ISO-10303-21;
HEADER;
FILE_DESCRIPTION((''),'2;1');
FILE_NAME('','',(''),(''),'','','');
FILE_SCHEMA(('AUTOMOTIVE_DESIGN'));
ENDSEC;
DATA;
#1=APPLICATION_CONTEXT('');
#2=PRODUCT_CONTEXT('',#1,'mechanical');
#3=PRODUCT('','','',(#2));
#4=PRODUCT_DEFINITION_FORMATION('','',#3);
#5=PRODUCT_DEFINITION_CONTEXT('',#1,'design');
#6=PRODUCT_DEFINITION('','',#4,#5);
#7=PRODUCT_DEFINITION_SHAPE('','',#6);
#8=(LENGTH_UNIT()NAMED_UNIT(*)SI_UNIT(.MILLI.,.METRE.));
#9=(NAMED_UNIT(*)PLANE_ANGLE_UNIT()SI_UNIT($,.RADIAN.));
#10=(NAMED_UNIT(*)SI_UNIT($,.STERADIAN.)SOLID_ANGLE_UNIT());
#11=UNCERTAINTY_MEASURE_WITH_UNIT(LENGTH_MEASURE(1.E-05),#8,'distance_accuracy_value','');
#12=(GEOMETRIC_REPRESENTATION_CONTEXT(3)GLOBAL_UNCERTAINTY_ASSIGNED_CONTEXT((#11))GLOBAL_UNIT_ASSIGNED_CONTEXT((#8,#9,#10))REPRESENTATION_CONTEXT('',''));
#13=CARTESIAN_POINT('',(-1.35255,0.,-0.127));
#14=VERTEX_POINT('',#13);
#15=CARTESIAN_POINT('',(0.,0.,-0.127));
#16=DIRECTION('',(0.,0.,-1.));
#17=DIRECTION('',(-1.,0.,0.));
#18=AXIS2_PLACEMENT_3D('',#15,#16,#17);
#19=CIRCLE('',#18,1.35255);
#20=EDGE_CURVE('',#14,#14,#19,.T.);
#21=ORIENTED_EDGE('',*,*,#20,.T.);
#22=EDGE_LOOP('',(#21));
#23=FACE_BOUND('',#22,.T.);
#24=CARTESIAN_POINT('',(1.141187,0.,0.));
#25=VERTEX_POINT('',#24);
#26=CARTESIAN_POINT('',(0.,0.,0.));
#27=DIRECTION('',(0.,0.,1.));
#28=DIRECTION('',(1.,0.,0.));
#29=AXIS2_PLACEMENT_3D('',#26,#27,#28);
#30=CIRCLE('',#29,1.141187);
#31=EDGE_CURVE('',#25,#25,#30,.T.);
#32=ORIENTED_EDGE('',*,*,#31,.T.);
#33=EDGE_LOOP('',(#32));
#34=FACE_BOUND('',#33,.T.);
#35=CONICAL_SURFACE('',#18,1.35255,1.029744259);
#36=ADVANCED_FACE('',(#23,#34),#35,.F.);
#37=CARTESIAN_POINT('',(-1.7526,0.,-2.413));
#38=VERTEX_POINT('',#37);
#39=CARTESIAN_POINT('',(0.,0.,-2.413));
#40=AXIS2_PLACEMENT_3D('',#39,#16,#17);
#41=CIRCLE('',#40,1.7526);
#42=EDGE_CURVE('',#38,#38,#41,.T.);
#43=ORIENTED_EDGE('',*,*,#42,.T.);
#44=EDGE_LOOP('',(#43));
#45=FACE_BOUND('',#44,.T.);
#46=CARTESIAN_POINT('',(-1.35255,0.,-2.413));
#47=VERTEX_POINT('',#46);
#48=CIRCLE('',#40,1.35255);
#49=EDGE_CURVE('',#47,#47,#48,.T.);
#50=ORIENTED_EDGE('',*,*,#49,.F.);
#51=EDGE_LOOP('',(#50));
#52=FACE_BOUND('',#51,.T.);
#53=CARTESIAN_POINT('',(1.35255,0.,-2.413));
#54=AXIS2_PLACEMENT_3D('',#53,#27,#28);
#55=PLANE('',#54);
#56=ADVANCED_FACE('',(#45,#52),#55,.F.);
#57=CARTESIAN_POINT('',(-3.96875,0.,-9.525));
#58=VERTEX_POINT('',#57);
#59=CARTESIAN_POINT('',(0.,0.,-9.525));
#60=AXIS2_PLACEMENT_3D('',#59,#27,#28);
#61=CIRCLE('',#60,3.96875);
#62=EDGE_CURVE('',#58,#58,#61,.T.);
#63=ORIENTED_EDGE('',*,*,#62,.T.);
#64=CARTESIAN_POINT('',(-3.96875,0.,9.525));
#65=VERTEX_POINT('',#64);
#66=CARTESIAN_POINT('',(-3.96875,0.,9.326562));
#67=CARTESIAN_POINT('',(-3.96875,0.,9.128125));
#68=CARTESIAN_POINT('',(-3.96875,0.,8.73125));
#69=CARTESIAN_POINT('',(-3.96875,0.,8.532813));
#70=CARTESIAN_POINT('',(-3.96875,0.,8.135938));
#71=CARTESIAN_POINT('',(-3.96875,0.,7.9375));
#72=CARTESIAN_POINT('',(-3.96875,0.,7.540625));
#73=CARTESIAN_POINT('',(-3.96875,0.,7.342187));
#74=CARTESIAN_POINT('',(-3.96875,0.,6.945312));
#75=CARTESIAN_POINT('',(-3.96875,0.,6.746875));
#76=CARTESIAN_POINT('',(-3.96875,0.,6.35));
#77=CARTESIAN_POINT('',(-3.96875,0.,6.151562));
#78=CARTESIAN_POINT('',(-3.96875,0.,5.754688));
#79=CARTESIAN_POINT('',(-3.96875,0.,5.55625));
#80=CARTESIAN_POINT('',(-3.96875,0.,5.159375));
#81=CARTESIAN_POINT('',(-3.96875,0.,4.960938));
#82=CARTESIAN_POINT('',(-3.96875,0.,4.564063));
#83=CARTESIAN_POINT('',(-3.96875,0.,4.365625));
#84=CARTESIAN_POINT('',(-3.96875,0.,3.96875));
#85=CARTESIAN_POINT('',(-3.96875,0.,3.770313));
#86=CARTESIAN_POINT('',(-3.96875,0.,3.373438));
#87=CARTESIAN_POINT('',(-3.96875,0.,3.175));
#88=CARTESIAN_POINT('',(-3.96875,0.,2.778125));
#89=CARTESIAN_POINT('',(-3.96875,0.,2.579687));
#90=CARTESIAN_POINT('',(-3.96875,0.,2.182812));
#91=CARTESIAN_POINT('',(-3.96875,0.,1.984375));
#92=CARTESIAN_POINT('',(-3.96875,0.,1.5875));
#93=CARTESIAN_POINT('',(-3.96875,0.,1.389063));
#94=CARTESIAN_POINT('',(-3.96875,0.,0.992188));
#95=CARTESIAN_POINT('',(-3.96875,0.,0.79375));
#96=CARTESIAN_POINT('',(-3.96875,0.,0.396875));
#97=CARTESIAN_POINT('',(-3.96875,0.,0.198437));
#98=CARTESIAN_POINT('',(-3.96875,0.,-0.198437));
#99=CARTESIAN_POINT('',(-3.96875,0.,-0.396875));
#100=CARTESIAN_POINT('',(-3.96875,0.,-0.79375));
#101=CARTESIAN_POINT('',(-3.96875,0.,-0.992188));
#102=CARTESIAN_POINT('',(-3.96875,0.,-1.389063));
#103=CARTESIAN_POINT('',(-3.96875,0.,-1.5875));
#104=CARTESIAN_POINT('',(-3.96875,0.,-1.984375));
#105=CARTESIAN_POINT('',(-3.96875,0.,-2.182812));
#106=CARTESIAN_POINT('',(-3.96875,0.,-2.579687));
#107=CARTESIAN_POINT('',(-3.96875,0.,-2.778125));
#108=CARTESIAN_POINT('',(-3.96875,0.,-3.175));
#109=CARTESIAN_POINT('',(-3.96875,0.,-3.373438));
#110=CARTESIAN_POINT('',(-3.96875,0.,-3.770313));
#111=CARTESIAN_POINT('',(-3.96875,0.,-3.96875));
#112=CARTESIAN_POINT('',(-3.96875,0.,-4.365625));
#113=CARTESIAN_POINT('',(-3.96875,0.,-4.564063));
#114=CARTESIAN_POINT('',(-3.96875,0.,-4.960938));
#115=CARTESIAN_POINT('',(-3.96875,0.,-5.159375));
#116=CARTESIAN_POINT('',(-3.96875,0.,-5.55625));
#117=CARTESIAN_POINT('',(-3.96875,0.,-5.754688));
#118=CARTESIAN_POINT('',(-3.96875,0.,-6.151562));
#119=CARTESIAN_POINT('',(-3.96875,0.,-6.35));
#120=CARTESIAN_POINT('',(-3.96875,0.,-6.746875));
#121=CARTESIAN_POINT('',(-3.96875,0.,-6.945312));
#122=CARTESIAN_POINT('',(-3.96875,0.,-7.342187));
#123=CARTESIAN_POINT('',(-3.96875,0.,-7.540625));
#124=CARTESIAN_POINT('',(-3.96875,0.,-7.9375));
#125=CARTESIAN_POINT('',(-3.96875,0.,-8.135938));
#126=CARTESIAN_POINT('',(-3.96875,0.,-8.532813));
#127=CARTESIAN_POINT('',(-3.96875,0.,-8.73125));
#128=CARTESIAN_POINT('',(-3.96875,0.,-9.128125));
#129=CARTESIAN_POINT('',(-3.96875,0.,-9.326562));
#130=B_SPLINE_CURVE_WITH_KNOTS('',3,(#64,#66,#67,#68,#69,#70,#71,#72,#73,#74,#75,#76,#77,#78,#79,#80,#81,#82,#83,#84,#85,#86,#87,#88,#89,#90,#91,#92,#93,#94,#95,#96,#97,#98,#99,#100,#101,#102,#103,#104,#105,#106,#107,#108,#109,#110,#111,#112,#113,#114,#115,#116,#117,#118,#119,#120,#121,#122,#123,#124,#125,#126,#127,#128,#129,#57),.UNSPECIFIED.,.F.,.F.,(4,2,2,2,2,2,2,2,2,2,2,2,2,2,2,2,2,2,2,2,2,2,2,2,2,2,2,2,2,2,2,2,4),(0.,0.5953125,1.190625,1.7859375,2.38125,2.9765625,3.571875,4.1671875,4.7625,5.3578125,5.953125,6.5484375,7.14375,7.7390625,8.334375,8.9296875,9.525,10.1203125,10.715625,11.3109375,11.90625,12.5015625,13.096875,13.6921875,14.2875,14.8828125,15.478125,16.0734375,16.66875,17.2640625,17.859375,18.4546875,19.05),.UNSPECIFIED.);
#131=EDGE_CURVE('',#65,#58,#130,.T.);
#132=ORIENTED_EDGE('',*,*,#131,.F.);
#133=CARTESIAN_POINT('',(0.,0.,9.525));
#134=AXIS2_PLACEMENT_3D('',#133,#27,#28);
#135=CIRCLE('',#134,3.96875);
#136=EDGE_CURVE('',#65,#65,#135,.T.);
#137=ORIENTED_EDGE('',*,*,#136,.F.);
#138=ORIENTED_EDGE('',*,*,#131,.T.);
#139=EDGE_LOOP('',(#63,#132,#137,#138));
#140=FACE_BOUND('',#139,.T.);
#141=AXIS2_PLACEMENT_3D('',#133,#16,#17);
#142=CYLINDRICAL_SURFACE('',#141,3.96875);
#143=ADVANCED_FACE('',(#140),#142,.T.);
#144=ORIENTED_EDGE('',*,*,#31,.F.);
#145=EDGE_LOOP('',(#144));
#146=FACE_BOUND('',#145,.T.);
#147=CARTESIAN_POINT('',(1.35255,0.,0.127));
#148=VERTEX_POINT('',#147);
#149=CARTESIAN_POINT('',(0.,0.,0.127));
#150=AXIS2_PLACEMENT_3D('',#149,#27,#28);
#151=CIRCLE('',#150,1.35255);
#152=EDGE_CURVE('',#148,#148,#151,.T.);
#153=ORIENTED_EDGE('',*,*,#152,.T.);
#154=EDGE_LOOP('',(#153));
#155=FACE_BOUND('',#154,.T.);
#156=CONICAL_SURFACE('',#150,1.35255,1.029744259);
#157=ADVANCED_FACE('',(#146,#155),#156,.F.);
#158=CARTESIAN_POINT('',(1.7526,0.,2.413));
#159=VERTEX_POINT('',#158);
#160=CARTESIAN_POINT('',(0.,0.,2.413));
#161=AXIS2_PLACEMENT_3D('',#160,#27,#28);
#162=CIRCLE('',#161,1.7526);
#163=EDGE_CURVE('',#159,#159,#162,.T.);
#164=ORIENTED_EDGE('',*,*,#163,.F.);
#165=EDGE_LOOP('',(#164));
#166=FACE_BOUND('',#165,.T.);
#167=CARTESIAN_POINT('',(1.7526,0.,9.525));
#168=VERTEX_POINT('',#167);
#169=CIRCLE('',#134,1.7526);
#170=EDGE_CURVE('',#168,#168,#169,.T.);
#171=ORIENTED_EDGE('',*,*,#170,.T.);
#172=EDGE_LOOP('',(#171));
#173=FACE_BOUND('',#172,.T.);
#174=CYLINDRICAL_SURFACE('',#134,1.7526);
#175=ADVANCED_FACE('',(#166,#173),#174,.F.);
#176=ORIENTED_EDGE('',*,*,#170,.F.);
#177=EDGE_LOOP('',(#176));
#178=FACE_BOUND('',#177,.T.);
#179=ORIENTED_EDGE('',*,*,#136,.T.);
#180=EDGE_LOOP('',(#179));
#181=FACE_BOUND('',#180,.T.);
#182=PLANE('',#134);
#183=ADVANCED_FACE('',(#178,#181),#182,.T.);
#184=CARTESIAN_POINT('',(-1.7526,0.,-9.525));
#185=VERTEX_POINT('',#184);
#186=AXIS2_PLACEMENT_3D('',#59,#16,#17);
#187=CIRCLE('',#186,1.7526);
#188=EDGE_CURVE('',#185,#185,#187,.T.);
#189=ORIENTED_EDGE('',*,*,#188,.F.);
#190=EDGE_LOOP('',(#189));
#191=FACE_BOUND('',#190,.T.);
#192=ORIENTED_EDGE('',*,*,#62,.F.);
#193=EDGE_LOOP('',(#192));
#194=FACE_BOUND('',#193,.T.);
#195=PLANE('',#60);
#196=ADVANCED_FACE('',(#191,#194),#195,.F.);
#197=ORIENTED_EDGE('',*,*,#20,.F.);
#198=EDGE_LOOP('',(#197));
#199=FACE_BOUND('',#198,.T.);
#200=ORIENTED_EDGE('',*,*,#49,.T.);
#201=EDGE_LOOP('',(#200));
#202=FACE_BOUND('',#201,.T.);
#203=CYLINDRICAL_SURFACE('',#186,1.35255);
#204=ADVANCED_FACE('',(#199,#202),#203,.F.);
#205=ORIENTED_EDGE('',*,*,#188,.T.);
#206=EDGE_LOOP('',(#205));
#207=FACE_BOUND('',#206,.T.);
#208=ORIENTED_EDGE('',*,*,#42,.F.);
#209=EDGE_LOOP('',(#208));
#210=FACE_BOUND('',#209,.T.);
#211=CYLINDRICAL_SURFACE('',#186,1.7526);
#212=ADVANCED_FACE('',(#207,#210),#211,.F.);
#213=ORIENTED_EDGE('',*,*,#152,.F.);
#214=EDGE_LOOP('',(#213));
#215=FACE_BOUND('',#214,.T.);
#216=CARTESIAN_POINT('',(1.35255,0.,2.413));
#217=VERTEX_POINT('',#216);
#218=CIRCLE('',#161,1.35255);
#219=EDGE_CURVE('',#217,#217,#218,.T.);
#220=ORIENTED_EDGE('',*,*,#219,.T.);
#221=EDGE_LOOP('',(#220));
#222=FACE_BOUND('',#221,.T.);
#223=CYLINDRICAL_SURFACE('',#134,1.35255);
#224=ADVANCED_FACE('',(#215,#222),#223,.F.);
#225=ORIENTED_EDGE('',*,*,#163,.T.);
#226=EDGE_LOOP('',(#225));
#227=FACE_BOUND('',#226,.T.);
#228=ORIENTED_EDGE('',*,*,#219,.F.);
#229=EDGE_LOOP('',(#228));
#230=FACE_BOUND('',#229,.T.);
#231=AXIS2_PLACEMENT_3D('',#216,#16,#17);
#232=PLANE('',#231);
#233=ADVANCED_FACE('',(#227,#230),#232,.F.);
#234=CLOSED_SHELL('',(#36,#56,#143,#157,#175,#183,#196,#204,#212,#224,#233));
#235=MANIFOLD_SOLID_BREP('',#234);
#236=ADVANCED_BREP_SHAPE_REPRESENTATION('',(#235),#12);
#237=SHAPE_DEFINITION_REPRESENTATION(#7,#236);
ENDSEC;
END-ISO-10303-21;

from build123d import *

# Parameters (mm, degrees)
SKETCH1_R                       = 3.96875
BOSS_EXTRUDE1_DEPTH             = 9.525
F_6_32_TAPPED_HOLE1_D           = 2.7051
F_6_32_TAPPED_HOLE1_DEPTH       = 9.398
F_6_32_TAPPED_HOLE1_CBORE_D     = 3.5052
F_6_32_TAPPED_HOLE1_CBORE_DEPTH = 7.112
F_6_32_TAPPED_HOLE1_TIP         = 0.81269403
F_6_32_TAPPED_HOLE2_D           = 2.7051
F_6_32_TAPPED_HOLE2_DEPTH       = 9.398
F_6_32_TAPPED_HOLE2_CBORE_D     = 3.5052
F_6_32_TAPPED_HOLE2_CBORE_DEPTH = 7.112
F_6_32_TAPPED_HOLE2_TIP         = 0.81269403


with BuildPart() as part:
    # Sketch1 → Boss-Extrude1 (new, symmetric)
    with BuildSketch(Plane.XY):
        with Locations(Location((0, 0, 0), (0, 0, 180))):
            Circle(SKETCH1_R)
    extrude(amount=BOSS_EXTRUDE1_DEPTH, both=True)

    # #6-32 Tapped Hole1
    with Locations(Plane(origin=(0, 0, -9.525), x_dir=(-1, 0, 0), z_dir=(0, 0, -1))):
        with Locations((0, 0)):
            CounterBoreHole(F_6_32_TAPPED_HOLE1_D / 2, F_6_32_TAPPED_HOLE1_CBORE_D / 2, F_6_32_TAPPED_HOLE1_CBORE_DEPTH, depth=F_6_32_TAPPED_HOLE1_DEPTH)
            with Locations((0, 0, -(F_6_32_TAPPED_HOLE1_DEPTH + F_6_32_TAPPED_HOLE1_TIP / 2))):  # 118° drill point
                Cone(0, F_6_32_TAPPED_HOLE1_D / 2, F_6_32_TAPPED_HOLE1_TIP, mode=Mode.SUBTRACT)

    # #6-32 Tapped Hole2
    with Locations(Plane.XY.offset(9.525)):
        with Locations((0, 0)):
            CounterBoreHole(F_6_32_TAPPED_HOLE2_D / 2, F_6_32_TAPPED_HOLE2_CBORE_D / 2, F_6_32_TAPPED_HOLE2_CBORE_DEPTH, depth=F_6_32_TAPPED_HOLE2_DEPTH)
            with Locations((0, 0, -(F_6_32_TAPPED_HOLE2_DEPTH + F_6_32_TAPPED_HOLE2_TIP / 2))):  # 118° drill point
                Cone(0, F_6_32_TAPPED_HOLE2_D / 2, F_6_32_TAPPED_HOLE2_TIP, mode=Mode.SUBTRACT)


solid = part.part
